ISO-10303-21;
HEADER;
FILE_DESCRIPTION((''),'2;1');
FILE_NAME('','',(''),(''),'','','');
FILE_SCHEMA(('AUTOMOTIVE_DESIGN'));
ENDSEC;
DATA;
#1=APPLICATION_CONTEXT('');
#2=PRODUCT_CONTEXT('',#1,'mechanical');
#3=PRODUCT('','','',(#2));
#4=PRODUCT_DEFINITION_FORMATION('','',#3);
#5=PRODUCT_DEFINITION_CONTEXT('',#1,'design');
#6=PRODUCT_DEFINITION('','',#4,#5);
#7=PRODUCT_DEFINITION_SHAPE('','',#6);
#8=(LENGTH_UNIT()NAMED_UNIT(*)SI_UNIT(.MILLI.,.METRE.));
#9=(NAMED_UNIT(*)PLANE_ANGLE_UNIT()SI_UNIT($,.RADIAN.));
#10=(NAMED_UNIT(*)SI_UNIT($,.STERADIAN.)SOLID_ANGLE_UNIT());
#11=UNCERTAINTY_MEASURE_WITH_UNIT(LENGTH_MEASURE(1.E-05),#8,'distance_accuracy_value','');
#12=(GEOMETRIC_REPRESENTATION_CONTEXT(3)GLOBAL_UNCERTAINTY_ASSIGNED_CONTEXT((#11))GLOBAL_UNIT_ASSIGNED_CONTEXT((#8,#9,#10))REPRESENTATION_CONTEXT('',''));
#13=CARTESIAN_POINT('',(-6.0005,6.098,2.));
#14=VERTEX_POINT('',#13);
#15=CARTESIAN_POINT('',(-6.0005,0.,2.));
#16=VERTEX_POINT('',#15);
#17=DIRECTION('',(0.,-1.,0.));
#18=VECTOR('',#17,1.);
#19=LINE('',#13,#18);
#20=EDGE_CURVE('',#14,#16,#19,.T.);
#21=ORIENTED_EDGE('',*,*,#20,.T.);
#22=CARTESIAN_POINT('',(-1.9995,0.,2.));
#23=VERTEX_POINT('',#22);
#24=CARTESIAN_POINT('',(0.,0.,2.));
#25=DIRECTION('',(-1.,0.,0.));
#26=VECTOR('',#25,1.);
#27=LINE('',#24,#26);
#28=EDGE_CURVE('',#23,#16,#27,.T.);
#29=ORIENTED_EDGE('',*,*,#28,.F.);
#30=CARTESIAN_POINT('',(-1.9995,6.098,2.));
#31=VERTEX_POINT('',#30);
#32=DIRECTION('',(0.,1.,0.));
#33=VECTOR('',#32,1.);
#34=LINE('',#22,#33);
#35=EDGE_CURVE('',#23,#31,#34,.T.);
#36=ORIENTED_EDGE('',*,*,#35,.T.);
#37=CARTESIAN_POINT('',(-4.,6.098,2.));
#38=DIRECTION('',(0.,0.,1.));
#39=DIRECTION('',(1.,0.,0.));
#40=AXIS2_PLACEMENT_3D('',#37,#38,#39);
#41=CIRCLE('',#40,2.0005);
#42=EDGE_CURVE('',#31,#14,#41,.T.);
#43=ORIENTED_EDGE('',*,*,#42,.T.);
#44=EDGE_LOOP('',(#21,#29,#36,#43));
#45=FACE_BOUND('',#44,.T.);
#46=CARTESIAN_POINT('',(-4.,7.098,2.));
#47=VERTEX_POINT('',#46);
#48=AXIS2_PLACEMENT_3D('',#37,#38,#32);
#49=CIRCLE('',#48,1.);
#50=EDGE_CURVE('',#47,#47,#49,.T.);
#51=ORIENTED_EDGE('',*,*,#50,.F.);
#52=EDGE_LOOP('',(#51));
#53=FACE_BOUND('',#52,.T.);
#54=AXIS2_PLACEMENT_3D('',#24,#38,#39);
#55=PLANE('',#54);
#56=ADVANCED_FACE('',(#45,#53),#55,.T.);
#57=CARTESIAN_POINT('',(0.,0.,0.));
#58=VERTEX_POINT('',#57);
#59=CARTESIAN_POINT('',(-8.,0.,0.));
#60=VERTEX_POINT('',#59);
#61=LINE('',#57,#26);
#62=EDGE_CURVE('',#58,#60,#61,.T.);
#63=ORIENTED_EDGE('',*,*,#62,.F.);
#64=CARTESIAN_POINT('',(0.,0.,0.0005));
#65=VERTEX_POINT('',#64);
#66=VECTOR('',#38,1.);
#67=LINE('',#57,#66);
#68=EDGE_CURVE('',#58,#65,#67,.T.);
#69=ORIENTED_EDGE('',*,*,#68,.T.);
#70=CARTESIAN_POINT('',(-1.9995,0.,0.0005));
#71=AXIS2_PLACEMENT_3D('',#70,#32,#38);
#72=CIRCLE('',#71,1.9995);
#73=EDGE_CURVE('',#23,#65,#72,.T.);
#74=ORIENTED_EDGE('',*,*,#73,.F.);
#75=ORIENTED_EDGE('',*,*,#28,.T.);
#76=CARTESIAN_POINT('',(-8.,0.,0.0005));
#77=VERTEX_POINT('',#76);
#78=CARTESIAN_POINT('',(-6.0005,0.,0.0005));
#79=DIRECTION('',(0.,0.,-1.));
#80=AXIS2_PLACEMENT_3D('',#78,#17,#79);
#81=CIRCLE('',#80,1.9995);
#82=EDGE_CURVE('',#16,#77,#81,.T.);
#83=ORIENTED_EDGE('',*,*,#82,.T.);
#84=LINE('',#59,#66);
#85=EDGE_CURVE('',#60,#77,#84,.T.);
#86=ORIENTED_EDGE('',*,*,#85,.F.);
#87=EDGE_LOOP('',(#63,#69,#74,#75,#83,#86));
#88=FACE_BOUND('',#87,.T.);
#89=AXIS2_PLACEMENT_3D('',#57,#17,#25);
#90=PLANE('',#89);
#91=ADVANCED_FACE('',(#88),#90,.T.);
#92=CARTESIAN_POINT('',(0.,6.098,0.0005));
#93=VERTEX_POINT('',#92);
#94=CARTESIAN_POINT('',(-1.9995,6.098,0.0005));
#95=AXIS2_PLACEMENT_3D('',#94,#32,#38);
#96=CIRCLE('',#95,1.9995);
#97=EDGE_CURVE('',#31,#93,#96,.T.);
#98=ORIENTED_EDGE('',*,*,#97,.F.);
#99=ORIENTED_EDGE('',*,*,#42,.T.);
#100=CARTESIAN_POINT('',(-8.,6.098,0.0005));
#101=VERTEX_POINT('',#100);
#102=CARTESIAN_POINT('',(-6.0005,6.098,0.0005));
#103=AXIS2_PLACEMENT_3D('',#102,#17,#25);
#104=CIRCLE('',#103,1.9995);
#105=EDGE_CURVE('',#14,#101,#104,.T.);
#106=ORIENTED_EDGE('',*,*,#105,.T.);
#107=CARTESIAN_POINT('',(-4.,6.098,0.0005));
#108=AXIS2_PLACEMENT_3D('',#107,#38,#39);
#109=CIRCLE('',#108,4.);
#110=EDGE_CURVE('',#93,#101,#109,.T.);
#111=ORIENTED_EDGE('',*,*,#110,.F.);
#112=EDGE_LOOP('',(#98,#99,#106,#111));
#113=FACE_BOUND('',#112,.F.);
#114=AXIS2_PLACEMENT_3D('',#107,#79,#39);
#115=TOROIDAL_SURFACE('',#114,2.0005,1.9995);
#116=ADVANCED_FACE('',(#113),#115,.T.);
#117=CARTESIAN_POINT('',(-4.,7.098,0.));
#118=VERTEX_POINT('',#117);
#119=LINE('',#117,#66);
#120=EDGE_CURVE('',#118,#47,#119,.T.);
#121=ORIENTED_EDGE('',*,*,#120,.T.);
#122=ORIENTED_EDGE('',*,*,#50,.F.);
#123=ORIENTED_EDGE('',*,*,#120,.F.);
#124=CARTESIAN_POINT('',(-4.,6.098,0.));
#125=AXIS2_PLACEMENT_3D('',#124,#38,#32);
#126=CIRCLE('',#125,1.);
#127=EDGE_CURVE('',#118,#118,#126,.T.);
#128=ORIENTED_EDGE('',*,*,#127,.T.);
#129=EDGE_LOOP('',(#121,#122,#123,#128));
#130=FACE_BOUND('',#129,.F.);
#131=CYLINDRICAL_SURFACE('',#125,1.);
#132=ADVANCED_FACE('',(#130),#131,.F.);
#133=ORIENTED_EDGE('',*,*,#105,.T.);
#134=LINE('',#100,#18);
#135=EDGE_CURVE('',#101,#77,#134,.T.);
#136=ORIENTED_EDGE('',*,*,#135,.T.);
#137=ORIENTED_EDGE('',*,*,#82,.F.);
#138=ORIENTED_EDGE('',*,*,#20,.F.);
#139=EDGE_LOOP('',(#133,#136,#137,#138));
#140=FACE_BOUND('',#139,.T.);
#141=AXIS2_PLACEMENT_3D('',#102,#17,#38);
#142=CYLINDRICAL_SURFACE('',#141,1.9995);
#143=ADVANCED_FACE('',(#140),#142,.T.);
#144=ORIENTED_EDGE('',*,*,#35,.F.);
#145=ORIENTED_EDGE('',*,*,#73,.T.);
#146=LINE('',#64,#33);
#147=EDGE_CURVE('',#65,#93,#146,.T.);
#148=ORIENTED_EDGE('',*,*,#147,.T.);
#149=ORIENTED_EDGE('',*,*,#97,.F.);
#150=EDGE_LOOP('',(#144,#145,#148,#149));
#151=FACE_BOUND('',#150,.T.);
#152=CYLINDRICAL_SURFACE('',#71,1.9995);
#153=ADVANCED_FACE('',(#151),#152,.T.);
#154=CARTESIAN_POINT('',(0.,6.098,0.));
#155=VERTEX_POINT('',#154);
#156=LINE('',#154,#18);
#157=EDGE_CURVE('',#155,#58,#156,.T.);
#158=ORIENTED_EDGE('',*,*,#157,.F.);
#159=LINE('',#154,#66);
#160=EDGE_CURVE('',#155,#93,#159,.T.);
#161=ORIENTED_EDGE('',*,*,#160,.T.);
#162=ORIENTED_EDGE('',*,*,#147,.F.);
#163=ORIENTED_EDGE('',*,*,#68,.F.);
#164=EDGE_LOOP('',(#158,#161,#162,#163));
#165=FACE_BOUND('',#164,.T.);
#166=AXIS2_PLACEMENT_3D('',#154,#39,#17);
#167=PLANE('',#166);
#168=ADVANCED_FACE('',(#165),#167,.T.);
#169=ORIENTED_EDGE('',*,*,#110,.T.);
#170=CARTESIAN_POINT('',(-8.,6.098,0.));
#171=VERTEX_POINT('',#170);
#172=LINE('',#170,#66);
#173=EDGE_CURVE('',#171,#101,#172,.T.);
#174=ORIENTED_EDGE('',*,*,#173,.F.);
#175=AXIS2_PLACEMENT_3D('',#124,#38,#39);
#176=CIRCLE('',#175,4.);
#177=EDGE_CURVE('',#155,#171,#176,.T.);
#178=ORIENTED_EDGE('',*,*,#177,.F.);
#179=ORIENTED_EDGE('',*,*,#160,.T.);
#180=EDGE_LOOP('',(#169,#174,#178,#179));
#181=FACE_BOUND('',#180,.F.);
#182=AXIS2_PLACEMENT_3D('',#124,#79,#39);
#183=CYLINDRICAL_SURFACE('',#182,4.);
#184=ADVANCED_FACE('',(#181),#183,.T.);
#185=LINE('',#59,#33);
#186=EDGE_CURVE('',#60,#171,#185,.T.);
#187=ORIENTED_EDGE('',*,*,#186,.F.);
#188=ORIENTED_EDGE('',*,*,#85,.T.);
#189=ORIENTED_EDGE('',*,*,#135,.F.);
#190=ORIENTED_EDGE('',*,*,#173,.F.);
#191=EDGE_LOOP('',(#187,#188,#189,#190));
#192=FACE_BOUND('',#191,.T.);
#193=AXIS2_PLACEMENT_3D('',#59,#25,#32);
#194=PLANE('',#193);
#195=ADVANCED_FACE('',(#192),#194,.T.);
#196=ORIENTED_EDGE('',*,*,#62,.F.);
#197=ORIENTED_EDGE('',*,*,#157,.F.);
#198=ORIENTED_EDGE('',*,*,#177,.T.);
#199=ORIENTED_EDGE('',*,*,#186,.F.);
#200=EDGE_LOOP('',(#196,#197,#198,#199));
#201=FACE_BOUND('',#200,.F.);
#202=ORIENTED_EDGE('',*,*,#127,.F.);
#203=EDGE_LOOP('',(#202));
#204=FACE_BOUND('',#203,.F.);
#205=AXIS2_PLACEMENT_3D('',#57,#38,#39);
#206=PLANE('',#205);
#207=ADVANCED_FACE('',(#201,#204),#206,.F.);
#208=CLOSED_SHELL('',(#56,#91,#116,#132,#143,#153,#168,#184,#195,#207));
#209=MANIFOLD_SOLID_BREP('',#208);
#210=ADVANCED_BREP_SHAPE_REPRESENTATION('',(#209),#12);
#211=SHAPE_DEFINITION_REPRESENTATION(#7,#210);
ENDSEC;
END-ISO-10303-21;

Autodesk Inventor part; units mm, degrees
ref_plane "YZ Plane" through (0, 0, 0) normal (1, 0, 0) x (0, 1, 0)
ref_plane "XZ Plane" through (0, 0, 0) normal (0, 1, 0) x (-1, 0, 0)
ref_plane "XY Plane" through (0, 0, 0) normal (0, 0, 1) x (1, 0, 0)
sketch "Szkic1" plane through (0, 0, 0) normal (0, 0, 1) x (1, 0, 0)
  line L0 (0, 12.1176) -> (0, -2.0196) construction
  line L1 (-9.6, 0) -> (1.6, 0) construction
  line L2 (0, 0) -> (-8, 0)
  line L3 (-8, 0) -> (-8, 6.098)
  line L4 (-8, 6.098) -> (0, 6.098)
  line L5 (0, 6.098) -> (0, 0)
  circle A0 centre (-4, 6.098) radius 4
  dimension "d0" = 8
  dimension "d1" = 6.098
extrude "Wyciągnięcie proste1" add sketch "Szkic1" along normal blind 2
hole "Otwór1" at (-4, 6.098, 0) direction (0, 0, 1) diameter 2 end through all
fillet "Zaokrąglenie1" radius 2 3 edges at (-4, 10.098, 2) (-8, 3.049, 2) (0, 3.049, 2)
properties part number "podpora_kciuk"
